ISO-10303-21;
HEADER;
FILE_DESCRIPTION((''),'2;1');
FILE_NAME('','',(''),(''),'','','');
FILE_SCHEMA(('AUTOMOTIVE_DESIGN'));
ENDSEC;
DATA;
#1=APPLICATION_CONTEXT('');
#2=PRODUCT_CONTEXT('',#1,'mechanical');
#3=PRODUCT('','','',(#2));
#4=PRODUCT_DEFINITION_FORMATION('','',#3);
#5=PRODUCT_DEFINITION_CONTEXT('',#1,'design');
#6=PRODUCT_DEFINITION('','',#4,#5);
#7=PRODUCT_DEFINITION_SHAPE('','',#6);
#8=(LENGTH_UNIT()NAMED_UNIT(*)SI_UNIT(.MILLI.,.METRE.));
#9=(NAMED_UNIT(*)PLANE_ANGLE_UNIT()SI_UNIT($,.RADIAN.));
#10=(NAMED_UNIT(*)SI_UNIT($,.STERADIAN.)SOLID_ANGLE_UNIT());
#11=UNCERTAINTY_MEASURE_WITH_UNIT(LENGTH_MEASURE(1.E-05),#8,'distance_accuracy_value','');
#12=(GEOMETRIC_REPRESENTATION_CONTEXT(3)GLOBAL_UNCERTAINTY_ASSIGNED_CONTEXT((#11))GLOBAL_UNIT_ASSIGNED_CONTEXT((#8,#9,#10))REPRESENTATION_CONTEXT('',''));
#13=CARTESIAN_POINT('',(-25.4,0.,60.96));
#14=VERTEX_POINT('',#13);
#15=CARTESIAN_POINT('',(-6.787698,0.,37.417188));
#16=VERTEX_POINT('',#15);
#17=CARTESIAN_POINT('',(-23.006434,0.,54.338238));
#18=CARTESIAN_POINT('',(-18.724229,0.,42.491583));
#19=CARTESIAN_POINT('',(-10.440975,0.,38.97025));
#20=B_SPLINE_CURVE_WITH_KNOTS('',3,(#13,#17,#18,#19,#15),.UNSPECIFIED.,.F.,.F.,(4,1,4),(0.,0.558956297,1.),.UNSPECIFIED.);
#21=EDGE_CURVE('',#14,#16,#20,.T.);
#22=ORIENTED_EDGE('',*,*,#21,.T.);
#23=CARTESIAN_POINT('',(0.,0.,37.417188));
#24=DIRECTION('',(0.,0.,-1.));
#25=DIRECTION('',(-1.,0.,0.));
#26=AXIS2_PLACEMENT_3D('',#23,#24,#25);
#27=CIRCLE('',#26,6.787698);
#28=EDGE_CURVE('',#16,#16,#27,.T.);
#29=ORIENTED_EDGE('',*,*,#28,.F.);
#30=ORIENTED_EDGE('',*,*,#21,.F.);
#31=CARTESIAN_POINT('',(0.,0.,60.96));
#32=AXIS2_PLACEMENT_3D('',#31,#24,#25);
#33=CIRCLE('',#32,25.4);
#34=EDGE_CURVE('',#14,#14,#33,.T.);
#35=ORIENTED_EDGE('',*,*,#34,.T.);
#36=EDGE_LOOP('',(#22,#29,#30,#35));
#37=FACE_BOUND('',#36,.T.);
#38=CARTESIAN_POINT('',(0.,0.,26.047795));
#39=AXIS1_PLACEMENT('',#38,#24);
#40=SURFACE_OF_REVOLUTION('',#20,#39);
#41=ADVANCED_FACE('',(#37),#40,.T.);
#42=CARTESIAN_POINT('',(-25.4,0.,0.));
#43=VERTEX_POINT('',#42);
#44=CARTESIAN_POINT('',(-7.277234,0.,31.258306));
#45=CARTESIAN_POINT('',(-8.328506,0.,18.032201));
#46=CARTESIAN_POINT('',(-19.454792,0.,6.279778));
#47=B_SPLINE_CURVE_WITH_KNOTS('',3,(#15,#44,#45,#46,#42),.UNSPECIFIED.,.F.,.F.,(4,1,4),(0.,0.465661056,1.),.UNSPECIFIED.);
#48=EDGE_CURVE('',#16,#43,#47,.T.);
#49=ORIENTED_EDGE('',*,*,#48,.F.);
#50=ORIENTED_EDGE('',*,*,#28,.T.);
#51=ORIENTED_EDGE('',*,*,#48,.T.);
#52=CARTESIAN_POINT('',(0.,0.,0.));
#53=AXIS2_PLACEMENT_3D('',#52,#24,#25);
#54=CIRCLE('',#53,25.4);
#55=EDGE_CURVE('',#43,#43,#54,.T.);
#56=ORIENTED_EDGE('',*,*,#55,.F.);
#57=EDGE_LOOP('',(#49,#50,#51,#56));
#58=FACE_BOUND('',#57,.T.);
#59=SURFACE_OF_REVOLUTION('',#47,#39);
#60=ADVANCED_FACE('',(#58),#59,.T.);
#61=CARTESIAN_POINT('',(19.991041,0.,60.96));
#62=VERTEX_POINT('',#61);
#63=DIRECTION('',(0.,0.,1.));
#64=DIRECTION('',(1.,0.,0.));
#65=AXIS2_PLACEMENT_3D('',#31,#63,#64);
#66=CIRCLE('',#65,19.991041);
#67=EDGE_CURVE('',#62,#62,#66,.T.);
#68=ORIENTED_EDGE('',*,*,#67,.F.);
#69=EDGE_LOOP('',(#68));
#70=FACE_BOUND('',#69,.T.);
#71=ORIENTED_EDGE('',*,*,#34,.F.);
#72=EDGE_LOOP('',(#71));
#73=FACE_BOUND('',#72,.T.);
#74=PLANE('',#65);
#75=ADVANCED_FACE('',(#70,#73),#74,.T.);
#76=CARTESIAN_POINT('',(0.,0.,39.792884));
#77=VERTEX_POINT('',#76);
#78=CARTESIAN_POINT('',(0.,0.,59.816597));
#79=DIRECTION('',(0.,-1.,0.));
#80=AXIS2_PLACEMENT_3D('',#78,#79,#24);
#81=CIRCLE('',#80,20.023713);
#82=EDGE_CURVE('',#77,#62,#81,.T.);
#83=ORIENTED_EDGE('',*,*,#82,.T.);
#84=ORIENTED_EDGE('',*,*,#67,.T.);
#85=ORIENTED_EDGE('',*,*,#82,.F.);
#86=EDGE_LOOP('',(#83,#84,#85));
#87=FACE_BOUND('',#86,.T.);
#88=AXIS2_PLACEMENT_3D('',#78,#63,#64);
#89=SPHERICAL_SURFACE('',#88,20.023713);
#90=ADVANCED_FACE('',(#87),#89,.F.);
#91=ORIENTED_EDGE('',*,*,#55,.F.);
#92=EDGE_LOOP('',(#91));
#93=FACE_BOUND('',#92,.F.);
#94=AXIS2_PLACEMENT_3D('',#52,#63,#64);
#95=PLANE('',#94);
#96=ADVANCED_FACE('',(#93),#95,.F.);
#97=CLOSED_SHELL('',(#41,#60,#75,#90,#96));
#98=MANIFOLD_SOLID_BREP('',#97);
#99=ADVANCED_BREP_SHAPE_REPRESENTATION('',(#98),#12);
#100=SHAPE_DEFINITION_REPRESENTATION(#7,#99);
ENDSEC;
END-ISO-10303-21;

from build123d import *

# Parameters (mm, degrees)
F0_R     = 25.4
F1_DEPTH = 60.96


with BuildPart() as f1:
    # F0 (on Top) → F1 (new body)
    with BuildSketch(Plane.XY):
        Circle(F0_R)
    extrude(amount=F1_DEPTH)

    # F2 (on Front) → F3 (revolve, cut)
    with BuildSketch(Plane.XZ):
        with BuildLine():
            add(Edge.make_bspline(
                [(-25.4, 60.96), (-23.0064342821, 54.3382376616), (-18.7242288008, 42.4915827865), (-10.4409751257, 38.9702499578), (-6.7876982503, 37.4171882868)],
                knots=[0, 0, 0, 0, 0.5589562968, 1, 1, 1, 1], degree=3))
            Line((-25.4, 60.96), (-25.4, 0))
            add(Edge.make_bspline(
                [(-6.7876982503, 37.4171882868), (-7.2772344038, 31.2583061805), (-8.3285058101, 18.0322010073), (-19.4547919938, 6.2797775406), (-25.4, 0)],
                knots=[0, 0, 0, 0, 0.4656610563, 1, 1, 1, 1], degree=3))
        make_face()
    revolve(axis=Axis((0, 0, 26.0477950796), (0, 0, -1)), mode=Mode.SUBTRACT)

    # F4 (on Front) → F5 (revolve, cut)
    with BuildSketch(Plane.XZ):
        with BuildLine():
            Line((0, 79.8403099308), (0, 39.7928841284))
            ThreePointArc((0, 39.7928841284), (20.0237129012, 59.8165970296), (0, 79.8403099308))
        make_face()
    revolve(axis=Axis((0, 0, 59.8165970296), (0, 0, -1)), mode=Mode.SUBTRACT)


solid = f1.part
